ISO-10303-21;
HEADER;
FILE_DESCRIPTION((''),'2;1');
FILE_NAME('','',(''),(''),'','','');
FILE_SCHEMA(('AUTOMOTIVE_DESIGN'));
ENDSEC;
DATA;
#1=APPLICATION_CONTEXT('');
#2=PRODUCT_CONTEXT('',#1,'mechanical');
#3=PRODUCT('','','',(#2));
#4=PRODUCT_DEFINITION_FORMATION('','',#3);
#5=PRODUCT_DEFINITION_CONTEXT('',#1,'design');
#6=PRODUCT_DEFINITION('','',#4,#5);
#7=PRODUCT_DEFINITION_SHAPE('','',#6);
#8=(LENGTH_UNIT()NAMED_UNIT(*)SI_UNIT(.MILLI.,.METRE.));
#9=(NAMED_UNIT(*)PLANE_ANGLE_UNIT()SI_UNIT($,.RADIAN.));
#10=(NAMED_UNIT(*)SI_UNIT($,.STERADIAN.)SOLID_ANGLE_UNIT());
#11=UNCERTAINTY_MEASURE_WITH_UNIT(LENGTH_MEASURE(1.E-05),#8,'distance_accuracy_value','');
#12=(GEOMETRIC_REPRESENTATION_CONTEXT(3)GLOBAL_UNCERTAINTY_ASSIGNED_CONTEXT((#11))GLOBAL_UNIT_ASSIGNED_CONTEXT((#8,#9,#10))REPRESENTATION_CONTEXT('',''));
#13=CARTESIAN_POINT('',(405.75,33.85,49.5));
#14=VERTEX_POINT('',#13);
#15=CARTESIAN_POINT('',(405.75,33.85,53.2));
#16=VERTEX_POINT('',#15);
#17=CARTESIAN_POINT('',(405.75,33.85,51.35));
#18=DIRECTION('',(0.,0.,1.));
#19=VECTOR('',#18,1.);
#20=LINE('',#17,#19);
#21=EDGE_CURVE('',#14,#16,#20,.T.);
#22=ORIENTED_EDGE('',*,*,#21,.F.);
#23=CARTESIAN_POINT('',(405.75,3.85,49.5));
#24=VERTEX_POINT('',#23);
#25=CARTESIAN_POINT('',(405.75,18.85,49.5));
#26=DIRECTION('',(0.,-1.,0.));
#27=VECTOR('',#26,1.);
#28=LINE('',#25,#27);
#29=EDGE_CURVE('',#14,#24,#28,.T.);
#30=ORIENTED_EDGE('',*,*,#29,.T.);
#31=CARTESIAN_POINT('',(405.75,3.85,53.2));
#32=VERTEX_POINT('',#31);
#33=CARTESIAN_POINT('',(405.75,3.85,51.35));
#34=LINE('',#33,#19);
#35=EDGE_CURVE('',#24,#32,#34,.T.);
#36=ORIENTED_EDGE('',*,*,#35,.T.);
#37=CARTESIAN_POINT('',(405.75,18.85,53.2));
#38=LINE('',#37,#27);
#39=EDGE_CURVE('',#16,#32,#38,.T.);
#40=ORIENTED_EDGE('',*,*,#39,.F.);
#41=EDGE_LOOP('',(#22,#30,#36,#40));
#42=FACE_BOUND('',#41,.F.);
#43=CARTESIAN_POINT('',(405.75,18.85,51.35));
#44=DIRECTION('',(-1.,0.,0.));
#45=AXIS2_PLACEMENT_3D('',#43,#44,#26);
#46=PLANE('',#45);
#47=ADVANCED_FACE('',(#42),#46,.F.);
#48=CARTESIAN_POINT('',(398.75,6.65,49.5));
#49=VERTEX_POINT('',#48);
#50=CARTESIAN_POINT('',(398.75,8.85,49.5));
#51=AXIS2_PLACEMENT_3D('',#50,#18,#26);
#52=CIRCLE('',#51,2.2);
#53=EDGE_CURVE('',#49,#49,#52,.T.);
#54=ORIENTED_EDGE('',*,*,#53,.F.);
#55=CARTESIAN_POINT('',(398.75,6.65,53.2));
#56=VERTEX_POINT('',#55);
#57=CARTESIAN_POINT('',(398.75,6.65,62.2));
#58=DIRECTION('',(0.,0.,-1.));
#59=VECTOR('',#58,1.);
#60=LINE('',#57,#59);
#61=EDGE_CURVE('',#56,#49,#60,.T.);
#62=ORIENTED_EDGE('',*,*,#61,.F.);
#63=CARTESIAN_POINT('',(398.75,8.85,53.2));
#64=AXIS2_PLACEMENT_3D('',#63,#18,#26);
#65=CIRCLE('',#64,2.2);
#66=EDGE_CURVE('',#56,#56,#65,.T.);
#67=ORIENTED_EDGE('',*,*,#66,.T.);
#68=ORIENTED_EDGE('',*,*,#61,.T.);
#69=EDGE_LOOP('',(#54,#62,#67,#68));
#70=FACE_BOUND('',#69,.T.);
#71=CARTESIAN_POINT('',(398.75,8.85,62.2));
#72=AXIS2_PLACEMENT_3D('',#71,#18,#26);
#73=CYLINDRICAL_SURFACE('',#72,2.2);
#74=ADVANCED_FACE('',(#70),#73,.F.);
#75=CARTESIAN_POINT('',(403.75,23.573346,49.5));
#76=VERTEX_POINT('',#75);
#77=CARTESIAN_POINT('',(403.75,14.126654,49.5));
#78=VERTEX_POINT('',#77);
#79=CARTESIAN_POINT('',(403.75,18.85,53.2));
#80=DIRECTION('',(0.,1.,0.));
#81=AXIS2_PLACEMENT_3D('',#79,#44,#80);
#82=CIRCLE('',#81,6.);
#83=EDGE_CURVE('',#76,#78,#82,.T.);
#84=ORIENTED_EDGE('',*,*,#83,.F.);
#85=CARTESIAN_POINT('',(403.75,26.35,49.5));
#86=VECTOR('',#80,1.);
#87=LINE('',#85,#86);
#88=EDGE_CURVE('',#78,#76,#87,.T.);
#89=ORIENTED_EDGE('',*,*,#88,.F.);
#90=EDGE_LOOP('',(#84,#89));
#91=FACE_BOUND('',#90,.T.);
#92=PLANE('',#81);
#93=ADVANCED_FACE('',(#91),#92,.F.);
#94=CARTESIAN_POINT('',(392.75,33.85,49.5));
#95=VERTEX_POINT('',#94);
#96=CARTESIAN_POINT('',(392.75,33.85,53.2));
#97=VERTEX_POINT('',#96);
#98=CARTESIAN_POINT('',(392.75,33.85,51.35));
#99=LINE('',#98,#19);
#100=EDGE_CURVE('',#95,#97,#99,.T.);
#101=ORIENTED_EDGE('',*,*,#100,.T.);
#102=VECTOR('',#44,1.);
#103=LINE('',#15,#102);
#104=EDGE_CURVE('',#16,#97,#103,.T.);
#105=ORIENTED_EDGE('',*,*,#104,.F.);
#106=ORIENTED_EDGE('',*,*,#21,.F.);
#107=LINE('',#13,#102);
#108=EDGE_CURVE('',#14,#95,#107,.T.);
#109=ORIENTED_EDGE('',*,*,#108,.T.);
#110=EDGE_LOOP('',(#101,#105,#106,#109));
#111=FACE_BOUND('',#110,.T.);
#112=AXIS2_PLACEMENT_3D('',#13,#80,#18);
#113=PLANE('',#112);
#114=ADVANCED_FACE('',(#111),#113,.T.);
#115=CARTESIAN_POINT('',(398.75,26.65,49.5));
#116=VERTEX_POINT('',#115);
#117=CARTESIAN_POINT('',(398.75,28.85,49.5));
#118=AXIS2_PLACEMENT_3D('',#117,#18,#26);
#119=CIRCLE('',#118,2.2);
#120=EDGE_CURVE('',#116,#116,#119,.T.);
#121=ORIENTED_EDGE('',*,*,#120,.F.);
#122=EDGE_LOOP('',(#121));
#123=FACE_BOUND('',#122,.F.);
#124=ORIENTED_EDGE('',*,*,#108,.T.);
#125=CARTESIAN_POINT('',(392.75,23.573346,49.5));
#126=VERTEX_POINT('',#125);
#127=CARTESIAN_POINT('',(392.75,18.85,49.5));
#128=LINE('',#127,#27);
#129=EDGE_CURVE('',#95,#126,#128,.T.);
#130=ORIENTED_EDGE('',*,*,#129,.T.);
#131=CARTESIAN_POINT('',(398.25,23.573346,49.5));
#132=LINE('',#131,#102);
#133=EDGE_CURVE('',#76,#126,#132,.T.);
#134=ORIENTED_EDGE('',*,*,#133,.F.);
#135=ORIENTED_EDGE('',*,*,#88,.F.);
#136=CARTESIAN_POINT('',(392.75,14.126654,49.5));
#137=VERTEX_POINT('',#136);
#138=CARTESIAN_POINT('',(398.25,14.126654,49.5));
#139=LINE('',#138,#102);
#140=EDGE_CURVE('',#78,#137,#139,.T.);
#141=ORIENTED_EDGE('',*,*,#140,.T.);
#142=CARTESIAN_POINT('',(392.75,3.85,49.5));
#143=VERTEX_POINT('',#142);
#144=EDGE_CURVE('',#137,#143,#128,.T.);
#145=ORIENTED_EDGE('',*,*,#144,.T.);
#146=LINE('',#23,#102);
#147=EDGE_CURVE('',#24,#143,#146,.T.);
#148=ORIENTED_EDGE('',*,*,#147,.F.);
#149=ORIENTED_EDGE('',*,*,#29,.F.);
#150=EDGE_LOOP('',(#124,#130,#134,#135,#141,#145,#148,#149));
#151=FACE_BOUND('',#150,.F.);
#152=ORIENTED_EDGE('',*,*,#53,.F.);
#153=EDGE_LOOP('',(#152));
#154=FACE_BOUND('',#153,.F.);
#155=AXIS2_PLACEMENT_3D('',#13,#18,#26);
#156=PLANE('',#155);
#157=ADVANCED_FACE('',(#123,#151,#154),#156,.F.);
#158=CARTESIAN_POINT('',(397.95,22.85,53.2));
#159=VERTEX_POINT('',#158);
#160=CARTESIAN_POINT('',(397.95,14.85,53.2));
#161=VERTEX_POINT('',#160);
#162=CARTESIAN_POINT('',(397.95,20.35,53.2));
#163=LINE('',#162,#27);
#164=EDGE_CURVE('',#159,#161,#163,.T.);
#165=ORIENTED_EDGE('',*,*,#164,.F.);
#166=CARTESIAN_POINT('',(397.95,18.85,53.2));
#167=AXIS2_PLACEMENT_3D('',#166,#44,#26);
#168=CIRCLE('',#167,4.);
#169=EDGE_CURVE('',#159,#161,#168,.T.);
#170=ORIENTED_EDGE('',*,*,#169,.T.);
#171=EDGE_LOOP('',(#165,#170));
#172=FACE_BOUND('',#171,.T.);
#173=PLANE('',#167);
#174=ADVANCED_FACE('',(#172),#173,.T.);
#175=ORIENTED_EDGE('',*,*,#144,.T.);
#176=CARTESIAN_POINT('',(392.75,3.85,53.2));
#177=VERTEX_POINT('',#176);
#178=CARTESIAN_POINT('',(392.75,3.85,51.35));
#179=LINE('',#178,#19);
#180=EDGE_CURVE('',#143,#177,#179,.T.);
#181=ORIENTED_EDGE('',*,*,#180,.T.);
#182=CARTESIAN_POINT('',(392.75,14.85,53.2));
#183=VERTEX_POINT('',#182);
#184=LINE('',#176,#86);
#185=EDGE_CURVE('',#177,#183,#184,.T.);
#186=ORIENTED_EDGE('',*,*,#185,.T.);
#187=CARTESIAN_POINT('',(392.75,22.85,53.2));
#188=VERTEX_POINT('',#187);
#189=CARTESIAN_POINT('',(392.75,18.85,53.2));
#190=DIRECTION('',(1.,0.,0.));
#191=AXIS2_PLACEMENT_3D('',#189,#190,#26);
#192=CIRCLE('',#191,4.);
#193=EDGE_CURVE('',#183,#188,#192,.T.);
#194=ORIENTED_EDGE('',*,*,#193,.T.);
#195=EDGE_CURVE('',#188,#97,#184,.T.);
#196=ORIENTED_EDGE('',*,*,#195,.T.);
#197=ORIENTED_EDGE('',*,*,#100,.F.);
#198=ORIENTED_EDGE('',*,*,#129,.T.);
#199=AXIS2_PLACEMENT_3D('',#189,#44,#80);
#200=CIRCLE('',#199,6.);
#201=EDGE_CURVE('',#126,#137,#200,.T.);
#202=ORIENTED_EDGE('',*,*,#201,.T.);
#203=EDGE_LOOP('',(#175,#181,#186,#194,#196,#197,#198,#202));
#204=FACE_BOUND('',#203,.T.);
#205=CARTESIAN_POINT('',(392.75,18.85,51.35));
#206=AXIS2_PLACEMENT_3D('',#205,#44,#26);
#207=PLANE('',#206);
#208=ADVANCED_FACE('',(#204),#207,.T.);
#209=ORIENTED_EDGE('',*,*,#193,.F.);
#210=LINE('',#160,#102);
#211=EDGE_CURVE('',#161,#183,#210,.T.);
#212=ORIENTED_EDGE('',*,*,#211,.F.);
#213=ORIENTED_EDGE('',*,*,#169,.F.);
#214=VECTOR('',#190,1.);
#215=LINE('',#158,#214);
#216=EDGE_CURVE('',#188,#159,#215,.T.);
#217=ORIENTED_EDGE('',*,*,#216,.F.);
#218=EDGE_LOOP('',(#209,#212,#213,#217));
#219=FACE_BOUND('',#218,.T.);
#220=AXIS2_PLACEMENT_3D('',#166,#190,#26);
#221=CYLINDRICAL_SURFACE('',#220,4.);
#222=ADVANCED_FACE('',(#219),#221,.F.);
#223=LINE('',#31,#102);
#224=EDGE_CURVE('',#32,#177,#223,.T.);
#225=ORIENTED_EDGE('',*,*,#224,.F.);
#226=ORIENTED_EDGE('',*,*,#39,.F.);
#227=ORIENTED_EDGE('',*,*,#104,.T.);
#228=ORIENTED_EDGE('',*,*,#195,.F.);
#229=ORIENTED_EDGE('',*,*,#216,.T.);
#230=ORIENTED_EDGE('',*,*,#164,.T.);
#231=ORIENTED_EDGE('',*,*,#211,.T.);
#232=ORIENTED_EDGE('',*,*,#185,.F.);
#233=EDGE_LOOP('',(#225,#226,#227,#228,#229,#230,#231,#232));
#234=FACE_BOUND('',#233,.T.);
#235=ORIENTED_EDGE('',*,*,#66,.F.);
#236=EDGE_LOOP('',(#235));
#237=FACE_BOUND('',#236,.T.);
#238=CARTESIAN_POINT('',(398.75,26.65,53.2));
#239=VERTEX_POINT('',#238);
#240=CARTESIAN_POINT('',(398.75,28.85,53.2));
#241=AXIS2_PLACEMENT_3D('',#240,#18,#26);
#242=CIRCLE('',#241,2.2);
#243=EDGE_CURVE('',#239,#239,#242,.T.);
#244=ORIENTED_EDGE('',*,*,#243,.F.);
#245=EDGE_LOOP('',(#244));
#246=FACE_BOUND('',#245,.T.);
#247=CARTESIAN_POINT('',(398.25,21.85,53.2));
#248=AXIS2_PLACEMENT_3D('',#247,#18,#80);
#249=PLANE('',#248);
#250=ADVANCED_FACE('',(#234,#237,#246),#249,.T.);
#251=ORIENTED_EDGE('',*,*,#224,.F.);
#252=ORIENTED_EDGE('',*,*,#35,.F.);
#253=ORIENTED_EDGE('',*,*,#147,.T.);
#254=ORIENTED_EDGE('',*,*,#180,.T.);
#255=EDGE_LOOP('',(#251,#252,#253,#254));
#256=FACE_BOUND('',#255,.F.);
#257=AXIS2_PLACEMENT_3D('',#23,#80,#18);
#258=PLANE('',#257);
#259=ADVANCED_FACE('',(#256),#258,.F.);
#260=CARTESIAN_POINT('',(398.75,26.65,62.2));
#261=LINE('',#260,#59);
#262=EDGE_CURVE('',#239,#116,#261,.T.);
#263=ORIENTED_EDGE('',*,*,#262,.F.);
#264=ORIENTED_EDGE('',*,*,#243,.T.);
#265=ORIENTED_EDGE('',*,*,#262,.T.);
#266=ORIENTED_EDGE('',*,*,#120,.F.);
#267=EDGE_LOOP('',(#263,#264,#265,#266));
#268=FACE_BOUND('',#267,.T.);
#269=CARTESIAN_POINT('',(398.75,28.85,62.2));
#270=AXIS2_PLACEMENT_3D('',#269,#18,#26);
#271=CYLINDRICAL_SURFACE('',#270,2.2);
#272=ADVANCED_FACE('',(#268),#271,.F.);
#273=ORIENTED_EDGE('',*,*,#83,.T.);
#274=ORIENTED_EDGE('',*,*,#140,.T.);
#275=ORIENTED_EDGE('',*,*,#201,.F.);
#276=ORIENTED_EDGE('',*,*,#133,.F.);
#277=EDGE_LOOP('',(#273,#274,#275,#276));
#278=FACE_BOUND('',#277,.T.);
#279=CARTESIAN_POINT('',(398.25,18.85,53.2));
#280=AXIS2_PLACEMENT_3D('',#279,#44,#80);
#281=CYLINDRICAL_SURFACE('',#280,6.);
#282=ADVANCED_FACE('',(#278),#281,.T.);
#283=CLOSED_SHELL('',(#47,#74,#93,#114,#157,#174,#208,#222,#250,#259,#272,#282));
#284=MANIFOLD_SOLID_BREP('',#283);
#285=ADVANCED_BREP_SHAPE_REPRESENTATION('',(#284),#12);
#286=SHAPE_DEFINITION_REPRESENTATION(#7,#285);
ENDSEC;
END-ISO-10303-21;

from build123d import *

# Parameters (mm, degrees)
CYLINDER073_R          = 2.2
CYLINDER073_DEPTH      = 20
CYLINDER074_R          = 2.2
CYLINDER074_DEPTH      = 20
CYLINDER072_R          = 4
CYLINDER072_DEPTH      = 6.5
CYLINDER071_W          = 6
CYLINDER071_H          = 11
CYLINDER071_ANGLE      = 180
BOX054_W               = 30
BOX054_H               = 3.7
BOX054_DEPTH           = 13
CUT088_ROLL_ANGLE      = 90
CUT088_PLACEMENT_ANGLE = -90


with BuildPart() as zylinder062:
    # Cylinder073 → Cylinder073 (new body)
    with BuildSketch(Plane(origin=(-10, 9, 5), x_dir=(1, 0, 0), z_dir=(0, -1, 0))):
        Circle(CYLINDER073_R)
    extrude(amount=CYLINDER073_DEPTH)


with BuildPart() as zylinder063:
    # Cylinder074 → Cylinder074 (new body)
    with BuildSketch(Plane(origin=(10, 9, 5), x_dir=(1, 0, 0), z_dir=(0, -1, 0))):
        Circle(CYLINDER074_R)
    extrude(amount=CYLINDER074_DEPTH)


with BuildPart() as zylinder061:
    # Cylinder072 → Cylinder072 (new body)
    with BuildSketch(Plane.XY.offset(5.8)):
        Circle(CYLINDER072_R)
    extrude(amount=CYLINDER072_DEPTH)


with BuildPart() as zylinder060:
    # Cylinder071 → Cylinder071 (revolve)
    with BuildSketch(Plane(origin=(0, 0, 0), x_dir=(-1, 0, 0), z_dir=(0, 1, 0))):
        with Locations((3, 5.5)):
            Rectangle(CYLINDER071_W, CYLINDER071_H)
    revolve(axis=Axis((0, 0, 0), (0, 0, 1)), revolution_arc=CYLINDER071_ANGLE)


with BuildPart() as y_drive_mount_top003:
    # Box054 → Box054 (new body)
    with BuildSketch(Plane(origin=(-15, -3.7, -2), x_dir=(1, 0, 0), z_dir=(0, 0, 1))):
        with Locations((15, 1.85)):
            Rectangle(BOX054_W, BOX054_H)
    extrude(amount=BOX054_DEPTH)

    # Fusion041: union Zylinder060
    add(zylinder060.part)

    # Cut081: cut Zylinder061
    add(zylinder061.part, mode=Mode.SUBTRACT)

    # Cut082: cut Zylinder063
    add(zylinder063.part, mode=Mode.SUBTRACT)

    # Cut088: cut Zylinder062
    add(zylinder062.part, mode=Mode.SUBTRACT)


with BuildPart() as y_drive_mount_top003_1:
    # Cut088 roll: moved
    add(y_drive_mount_top003.part.rotate(Axis((0, 0, 0), (1, 0, 0)), CUT088_ROLL_ANGLE))


with BuildPart() as y_drive_mount_top003_2:
    # Cut088 placement: moved
    add(y_drive_mount_top003_1.part.moved(Location((403.75, 18.85, 53.2))).rotate(Axis((403.75, 18.85, 53.2), (0, 0, 1)), CUT088_PLACEMENT_ANGLE))


solid = y_drive_mount_top003_2.part
